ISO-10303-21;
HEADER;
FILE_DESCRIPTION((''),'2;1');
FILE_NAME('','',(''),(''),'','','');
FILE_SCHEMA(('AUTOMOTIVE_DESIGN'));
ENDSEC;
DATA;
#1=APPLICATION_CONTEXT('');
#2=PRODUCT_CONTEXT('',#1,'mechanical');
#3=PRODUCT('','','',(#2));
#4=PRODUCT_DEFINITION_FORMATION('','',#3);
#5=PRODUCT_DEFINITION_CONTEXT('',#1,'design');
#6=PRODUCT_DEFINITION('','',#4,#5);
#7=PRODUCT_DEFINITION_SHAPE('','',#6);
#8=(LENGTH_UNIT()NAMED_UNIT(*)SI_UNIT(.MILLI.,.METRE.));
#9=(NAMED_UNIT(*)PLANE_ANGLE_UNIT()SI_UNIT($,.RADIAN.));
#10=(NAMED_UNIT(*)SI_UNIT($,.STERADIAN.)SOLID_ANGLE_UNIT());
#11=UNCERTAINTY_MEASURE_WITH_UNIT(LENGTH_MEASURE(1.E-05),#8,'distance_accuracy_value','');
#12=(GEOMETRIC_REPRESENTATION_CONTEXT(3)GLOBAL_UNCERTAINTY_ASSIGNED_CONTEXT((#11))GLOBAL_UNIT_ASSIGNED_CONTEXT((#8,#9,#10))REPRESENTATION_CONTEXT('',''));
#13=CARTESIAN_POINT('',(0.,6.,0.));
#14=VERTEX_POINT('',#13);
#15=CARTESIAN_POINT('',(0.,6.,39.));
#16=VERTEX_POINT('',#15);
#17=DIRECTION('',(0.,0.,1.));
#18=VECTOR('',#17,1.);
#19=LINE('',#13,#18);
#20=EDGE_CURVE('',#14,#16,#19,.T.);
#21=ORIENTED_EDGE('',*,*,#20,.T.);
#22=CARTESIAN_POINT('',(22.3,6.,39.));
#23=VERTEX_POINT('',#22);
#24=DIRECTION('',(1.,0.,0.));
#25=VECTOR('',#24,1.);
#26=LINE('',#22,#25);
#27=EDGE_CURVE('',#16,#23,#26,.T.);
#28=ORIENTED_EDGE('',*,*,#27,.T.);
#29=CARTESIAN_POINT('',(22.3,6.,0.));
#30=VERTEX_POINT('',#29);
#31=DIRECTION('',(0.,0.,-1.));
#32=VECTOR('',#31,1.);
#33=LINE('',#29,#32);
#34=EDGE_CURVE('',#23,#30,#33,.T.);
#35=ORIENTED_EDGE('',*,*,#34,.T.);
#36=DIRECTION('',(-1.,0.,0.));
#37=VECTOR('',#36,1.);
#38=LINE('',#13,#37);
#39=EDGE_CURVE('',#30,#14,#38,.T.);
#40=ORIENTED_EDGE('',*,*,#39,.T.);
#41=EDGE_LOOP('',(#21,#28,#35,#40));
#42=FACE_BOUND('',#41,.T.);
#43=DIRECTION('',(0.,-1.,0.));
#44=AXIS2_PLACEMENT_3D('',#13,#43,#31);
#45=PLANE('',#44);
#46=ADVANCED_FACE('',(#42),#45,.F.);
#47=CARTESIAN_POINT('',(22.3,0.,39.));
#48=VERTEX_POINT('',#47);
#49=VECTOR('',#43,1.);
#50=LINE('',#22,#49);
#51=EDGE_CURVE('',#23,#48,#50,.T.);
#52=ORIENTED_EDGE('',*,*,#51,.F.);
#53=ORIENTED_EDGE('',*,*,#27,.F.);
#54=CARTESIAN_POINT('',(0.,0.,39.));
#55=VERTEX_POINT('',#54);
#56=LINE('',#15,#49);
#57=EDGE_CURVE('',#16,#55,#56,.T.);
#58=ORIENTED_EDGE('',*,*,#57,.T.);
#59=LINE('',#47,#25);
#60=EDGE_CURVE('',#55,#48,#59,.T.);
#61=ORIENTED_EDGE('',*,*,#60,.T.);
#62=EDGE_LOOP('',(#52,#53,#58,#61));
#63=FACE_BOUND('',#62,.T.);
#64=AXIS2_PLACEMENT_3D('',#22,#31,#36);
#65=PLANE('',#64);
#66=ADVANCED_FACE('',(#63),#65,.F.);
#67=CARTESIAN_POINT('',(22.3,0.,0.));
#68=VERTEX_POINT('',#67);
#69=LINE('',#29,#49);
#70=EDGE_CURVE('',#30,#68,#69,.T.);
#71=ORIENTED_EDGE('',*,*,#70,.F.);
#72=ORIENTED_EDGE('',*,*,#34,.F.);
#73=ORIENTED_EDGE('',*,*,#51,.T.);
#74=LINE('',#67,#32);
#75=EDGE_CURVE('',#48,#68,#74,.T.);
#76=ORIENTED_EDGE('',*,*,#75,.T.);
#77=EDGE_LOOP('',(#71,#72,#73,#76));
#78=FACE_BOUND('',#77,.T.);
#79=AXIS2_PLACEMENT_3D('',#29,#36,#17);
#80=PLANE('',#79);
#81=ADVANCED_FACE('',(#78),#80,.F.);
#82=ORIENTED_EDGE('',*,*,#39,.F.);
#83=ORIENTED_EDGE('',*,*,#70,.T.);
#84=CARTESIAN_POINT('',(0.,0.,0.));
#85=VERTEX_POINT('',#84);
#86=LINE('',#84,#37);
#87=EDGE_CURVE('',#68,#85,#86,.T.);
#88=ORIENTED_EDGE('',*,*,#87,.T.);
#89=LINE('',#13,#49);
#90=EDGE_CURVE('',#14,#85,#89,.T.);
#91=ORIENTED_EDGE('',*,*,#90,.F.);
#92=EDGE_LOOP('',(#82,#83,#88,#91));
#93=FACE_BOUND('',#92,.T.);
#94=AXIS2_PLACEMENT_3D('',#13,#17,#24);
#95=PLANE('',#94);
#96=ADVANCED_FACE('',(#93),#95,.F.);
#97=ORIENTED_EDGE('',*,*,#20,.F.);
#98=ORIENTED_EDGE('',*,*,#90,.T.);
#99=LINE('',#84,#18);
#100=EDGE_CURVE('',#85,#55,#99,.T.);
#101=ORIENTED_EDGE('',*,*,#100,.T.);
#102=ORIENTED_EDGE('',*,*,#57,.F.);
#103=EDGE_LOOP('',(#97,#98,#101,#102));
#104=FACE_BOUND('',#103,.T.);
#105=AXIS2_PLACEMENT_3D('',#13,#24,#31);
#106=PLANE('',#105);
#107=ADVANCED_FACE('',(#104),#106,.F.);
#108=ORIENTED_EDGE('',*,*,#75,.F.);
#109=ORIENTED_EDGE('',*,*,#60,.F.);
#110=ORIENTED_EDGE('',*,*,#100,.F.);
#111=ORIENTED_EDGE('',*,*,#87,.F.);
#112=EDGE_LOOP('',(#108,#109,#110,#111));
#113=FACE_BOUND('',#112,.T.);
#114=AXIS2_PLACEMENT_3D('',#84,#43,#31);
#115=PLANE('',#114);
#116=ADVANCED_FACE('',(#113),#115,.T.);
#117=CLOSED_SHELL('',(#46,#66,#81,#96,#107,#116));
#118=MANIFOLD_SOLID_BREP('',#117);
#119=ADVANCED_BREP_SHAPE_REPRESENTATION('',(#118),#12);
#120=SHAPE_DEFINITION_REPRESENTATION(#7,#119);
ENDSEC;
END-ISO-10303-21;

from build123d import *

# Parameters (mm, degrees)
SKETCH_1_W      = 22.3
SKETCH_1_H      = 39
EXTRUDE_1_DEPTH = 6


with BuildPart() as part:
    # 草图1 → 凸台-拉伸1 (new body)
    with BuildSketch(Plane(origin=(0, 0, 0), x_dir=(1, 0, 0), z_dir=(0, 1, 0))):
        with Locations((11.15, -19.5)):
            Rectangle(SKETCH_1_W, SKETCH_1_H)
    extrude(amount=EXTRUDE_1_DEPTH)


solid = part.part
